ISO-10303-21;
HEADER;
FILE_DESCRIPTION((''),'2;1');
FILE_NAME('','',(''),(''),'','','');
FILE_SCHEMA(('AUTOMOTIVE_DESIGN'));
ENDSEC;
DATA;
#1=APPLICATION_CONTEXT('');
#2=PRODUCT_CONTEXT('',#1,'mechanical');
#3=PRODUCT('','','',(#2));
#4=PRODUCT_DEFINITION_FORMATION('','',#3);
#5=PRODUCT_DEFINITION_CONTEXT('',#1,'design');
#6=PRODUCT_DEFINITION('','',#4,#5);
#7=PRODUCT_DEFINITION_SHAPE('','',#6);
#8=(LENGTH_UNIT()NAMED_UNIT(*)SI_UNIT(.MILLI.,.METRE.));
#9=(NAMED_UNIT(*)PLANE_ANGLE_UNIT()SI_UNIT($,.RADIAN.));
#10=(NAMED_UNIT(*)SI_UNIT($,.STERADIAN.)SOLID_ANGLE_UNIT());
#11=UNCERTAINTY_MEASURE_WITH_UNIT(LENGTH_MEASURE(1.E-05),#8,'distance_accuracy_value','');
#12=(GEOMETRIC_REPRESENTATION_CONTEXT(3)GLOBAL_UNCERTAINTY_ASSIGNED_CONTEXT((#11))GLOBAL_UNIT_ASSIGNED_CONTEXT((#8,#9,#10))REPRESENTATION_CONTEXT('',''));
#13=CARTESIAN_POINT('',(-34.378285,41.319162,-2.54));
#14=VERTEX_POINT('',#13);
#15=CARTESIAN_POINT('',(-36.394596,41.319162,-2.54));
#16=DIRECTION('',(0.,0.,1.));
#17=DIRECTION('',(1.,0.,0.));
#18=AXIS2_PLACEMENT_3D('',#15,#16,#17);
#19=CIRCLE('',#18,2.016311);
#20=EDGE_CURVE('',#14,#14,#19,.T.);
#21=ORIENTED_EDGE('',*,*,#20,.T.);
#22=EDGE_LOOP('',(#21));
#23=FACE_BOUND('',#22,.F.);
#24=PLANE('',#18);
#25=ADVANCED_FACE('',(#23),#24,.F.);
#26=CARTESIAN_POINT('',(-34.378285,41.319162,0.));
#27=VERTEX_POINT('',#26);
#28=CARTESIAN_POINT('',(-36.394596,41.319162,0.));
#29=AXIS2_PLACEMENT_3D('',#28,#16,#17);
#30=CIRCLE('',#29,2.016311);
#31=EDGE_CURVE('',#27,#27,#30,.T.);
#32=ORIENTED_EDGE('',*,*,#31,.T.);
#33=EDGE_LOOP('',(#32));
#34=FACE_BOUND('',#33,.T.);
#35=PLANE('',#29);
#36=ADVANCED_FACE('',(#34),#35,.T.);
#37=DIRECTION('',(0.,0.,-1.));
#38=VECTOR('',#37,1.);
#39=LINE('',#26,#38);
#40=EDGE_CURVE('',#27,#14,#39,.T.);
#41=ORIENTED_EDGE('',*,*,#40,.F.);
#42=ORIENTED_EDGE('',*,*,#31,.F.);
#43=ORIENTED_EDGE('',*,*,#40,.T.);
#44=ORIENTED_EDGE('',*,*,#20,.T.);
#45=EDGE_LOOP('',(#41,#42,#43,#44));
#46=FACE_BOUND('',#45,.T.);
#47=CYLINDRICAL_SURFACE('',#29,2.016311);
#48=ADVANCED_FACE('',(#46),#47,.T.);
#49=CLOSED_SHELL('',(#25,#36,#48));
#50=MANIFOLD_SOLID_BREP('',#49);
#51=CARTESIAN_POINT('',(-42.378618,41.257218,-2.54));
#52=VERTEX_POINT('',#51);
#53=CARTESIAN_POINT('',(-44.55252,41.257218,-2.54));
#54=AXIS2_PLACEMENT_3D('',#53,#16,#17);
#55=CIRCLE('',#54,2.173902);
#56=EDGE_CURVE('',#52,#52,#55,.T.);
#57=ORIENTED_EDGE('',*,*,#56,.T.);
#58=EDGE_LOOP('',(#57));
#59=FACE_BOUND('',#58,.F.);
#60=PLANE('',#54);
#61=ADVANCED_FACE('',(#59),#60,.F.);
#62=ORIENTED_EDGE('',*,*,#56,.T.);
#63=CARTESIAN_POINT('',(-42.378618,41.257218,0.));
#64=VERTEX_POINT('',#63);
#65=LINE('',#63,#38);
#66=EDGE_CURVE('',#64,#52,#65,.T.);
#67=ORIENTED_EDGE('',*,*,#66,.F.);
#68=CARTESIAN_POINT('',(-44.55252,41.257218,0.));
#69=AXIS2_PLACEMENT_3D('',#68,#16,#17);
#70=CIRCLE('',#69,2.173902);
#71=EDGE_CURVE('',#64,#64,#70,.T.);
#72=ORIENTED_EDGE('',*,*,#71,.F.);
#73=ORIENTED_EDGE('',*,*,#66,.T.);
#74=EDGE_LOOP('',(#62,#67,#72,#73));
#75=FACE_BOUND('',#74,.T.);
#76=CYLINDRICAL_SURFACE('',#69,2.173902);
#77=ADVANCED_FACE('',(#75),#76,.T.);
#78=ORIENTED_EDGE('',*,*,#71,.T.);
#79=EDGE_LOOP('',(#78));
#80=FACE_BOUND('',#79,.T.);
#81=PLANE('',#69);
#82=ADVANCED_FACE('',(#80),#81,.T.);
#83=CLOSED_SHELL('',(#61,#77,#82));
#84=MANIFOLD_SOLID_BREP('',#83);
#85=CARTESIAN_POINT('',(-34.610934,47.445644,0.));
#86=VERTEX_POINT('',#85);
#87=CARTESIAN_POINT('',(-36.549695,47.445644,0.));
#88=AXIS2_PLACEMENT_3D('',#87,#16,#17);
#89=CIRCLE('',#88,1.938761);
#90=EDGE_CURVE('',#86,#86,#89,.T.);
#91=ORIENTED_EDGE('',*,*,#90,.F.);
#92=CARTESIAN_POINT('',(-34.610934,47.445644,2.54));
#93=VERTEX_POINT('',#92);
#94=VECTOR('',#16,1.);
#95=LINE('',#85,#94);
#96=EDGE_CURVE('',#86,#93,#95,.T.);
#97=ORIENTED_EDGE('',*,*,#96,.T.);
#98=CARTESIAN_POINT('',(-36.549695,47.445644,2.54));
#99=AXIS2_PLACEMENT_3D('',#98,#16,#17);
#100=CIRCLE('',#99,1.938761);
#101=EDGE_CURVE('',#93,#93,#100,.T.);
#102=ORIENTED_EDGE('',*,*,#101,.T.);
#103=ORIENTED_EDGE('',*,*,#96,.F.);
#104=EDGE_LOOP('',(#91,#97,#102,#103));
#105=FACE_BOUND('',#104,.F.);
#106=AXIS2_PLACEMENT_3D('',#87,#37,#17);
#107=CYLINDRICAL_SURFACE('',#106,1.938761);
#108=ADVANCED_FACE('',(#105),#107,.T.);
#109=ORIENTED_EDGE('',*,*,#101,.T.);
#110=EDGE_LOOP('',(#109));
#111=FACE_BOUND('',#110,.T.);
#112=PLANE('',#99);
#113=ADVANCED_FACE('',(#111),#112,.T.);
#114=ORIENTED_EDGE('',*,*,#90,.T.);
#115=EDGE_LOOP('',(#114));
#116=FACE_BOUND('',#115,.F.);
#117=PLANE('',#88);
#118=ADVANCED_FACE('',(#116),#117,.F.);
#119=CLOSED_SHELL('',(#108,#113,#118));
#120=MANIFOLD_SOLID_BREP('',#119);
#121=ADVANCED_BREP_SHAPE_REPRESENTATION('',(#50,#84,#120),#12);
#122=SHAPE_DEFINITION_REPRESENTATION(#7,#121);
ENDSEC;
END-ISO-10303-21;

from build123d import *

# Parameters (mm, degrees)
F0_R     = 2.173902
F1_R     = 2.016311
F3_DEPTH = 2.54
F2_R     = 1.938761
F4_DEPTH = 2.54


with BuildPart() as f3:
    # F0 (on Top) + F1 (on face) → F3 (new body)
    with BuildSketch(Plane.XY):
        with Locations((-44.55252, 41.257218)):
            Circle(F0_R)
    with BuildSketch(Plane.XY):
        with Locations((-36.394596, 41.319162)):
            Circle(F1_R)
    extrude(amount=-F3_DEPTH)


with BuildPart() as f4:
    # F2 (on Top) → F4 (new body)
    with BuildSketch(Plane.XY):
        with Locations((-36.549695, 47.445644)):
            Circle(F2_R)
    extrude(amount=F4_DEPTH)


solid = Compound([f3.part, f4.part])
